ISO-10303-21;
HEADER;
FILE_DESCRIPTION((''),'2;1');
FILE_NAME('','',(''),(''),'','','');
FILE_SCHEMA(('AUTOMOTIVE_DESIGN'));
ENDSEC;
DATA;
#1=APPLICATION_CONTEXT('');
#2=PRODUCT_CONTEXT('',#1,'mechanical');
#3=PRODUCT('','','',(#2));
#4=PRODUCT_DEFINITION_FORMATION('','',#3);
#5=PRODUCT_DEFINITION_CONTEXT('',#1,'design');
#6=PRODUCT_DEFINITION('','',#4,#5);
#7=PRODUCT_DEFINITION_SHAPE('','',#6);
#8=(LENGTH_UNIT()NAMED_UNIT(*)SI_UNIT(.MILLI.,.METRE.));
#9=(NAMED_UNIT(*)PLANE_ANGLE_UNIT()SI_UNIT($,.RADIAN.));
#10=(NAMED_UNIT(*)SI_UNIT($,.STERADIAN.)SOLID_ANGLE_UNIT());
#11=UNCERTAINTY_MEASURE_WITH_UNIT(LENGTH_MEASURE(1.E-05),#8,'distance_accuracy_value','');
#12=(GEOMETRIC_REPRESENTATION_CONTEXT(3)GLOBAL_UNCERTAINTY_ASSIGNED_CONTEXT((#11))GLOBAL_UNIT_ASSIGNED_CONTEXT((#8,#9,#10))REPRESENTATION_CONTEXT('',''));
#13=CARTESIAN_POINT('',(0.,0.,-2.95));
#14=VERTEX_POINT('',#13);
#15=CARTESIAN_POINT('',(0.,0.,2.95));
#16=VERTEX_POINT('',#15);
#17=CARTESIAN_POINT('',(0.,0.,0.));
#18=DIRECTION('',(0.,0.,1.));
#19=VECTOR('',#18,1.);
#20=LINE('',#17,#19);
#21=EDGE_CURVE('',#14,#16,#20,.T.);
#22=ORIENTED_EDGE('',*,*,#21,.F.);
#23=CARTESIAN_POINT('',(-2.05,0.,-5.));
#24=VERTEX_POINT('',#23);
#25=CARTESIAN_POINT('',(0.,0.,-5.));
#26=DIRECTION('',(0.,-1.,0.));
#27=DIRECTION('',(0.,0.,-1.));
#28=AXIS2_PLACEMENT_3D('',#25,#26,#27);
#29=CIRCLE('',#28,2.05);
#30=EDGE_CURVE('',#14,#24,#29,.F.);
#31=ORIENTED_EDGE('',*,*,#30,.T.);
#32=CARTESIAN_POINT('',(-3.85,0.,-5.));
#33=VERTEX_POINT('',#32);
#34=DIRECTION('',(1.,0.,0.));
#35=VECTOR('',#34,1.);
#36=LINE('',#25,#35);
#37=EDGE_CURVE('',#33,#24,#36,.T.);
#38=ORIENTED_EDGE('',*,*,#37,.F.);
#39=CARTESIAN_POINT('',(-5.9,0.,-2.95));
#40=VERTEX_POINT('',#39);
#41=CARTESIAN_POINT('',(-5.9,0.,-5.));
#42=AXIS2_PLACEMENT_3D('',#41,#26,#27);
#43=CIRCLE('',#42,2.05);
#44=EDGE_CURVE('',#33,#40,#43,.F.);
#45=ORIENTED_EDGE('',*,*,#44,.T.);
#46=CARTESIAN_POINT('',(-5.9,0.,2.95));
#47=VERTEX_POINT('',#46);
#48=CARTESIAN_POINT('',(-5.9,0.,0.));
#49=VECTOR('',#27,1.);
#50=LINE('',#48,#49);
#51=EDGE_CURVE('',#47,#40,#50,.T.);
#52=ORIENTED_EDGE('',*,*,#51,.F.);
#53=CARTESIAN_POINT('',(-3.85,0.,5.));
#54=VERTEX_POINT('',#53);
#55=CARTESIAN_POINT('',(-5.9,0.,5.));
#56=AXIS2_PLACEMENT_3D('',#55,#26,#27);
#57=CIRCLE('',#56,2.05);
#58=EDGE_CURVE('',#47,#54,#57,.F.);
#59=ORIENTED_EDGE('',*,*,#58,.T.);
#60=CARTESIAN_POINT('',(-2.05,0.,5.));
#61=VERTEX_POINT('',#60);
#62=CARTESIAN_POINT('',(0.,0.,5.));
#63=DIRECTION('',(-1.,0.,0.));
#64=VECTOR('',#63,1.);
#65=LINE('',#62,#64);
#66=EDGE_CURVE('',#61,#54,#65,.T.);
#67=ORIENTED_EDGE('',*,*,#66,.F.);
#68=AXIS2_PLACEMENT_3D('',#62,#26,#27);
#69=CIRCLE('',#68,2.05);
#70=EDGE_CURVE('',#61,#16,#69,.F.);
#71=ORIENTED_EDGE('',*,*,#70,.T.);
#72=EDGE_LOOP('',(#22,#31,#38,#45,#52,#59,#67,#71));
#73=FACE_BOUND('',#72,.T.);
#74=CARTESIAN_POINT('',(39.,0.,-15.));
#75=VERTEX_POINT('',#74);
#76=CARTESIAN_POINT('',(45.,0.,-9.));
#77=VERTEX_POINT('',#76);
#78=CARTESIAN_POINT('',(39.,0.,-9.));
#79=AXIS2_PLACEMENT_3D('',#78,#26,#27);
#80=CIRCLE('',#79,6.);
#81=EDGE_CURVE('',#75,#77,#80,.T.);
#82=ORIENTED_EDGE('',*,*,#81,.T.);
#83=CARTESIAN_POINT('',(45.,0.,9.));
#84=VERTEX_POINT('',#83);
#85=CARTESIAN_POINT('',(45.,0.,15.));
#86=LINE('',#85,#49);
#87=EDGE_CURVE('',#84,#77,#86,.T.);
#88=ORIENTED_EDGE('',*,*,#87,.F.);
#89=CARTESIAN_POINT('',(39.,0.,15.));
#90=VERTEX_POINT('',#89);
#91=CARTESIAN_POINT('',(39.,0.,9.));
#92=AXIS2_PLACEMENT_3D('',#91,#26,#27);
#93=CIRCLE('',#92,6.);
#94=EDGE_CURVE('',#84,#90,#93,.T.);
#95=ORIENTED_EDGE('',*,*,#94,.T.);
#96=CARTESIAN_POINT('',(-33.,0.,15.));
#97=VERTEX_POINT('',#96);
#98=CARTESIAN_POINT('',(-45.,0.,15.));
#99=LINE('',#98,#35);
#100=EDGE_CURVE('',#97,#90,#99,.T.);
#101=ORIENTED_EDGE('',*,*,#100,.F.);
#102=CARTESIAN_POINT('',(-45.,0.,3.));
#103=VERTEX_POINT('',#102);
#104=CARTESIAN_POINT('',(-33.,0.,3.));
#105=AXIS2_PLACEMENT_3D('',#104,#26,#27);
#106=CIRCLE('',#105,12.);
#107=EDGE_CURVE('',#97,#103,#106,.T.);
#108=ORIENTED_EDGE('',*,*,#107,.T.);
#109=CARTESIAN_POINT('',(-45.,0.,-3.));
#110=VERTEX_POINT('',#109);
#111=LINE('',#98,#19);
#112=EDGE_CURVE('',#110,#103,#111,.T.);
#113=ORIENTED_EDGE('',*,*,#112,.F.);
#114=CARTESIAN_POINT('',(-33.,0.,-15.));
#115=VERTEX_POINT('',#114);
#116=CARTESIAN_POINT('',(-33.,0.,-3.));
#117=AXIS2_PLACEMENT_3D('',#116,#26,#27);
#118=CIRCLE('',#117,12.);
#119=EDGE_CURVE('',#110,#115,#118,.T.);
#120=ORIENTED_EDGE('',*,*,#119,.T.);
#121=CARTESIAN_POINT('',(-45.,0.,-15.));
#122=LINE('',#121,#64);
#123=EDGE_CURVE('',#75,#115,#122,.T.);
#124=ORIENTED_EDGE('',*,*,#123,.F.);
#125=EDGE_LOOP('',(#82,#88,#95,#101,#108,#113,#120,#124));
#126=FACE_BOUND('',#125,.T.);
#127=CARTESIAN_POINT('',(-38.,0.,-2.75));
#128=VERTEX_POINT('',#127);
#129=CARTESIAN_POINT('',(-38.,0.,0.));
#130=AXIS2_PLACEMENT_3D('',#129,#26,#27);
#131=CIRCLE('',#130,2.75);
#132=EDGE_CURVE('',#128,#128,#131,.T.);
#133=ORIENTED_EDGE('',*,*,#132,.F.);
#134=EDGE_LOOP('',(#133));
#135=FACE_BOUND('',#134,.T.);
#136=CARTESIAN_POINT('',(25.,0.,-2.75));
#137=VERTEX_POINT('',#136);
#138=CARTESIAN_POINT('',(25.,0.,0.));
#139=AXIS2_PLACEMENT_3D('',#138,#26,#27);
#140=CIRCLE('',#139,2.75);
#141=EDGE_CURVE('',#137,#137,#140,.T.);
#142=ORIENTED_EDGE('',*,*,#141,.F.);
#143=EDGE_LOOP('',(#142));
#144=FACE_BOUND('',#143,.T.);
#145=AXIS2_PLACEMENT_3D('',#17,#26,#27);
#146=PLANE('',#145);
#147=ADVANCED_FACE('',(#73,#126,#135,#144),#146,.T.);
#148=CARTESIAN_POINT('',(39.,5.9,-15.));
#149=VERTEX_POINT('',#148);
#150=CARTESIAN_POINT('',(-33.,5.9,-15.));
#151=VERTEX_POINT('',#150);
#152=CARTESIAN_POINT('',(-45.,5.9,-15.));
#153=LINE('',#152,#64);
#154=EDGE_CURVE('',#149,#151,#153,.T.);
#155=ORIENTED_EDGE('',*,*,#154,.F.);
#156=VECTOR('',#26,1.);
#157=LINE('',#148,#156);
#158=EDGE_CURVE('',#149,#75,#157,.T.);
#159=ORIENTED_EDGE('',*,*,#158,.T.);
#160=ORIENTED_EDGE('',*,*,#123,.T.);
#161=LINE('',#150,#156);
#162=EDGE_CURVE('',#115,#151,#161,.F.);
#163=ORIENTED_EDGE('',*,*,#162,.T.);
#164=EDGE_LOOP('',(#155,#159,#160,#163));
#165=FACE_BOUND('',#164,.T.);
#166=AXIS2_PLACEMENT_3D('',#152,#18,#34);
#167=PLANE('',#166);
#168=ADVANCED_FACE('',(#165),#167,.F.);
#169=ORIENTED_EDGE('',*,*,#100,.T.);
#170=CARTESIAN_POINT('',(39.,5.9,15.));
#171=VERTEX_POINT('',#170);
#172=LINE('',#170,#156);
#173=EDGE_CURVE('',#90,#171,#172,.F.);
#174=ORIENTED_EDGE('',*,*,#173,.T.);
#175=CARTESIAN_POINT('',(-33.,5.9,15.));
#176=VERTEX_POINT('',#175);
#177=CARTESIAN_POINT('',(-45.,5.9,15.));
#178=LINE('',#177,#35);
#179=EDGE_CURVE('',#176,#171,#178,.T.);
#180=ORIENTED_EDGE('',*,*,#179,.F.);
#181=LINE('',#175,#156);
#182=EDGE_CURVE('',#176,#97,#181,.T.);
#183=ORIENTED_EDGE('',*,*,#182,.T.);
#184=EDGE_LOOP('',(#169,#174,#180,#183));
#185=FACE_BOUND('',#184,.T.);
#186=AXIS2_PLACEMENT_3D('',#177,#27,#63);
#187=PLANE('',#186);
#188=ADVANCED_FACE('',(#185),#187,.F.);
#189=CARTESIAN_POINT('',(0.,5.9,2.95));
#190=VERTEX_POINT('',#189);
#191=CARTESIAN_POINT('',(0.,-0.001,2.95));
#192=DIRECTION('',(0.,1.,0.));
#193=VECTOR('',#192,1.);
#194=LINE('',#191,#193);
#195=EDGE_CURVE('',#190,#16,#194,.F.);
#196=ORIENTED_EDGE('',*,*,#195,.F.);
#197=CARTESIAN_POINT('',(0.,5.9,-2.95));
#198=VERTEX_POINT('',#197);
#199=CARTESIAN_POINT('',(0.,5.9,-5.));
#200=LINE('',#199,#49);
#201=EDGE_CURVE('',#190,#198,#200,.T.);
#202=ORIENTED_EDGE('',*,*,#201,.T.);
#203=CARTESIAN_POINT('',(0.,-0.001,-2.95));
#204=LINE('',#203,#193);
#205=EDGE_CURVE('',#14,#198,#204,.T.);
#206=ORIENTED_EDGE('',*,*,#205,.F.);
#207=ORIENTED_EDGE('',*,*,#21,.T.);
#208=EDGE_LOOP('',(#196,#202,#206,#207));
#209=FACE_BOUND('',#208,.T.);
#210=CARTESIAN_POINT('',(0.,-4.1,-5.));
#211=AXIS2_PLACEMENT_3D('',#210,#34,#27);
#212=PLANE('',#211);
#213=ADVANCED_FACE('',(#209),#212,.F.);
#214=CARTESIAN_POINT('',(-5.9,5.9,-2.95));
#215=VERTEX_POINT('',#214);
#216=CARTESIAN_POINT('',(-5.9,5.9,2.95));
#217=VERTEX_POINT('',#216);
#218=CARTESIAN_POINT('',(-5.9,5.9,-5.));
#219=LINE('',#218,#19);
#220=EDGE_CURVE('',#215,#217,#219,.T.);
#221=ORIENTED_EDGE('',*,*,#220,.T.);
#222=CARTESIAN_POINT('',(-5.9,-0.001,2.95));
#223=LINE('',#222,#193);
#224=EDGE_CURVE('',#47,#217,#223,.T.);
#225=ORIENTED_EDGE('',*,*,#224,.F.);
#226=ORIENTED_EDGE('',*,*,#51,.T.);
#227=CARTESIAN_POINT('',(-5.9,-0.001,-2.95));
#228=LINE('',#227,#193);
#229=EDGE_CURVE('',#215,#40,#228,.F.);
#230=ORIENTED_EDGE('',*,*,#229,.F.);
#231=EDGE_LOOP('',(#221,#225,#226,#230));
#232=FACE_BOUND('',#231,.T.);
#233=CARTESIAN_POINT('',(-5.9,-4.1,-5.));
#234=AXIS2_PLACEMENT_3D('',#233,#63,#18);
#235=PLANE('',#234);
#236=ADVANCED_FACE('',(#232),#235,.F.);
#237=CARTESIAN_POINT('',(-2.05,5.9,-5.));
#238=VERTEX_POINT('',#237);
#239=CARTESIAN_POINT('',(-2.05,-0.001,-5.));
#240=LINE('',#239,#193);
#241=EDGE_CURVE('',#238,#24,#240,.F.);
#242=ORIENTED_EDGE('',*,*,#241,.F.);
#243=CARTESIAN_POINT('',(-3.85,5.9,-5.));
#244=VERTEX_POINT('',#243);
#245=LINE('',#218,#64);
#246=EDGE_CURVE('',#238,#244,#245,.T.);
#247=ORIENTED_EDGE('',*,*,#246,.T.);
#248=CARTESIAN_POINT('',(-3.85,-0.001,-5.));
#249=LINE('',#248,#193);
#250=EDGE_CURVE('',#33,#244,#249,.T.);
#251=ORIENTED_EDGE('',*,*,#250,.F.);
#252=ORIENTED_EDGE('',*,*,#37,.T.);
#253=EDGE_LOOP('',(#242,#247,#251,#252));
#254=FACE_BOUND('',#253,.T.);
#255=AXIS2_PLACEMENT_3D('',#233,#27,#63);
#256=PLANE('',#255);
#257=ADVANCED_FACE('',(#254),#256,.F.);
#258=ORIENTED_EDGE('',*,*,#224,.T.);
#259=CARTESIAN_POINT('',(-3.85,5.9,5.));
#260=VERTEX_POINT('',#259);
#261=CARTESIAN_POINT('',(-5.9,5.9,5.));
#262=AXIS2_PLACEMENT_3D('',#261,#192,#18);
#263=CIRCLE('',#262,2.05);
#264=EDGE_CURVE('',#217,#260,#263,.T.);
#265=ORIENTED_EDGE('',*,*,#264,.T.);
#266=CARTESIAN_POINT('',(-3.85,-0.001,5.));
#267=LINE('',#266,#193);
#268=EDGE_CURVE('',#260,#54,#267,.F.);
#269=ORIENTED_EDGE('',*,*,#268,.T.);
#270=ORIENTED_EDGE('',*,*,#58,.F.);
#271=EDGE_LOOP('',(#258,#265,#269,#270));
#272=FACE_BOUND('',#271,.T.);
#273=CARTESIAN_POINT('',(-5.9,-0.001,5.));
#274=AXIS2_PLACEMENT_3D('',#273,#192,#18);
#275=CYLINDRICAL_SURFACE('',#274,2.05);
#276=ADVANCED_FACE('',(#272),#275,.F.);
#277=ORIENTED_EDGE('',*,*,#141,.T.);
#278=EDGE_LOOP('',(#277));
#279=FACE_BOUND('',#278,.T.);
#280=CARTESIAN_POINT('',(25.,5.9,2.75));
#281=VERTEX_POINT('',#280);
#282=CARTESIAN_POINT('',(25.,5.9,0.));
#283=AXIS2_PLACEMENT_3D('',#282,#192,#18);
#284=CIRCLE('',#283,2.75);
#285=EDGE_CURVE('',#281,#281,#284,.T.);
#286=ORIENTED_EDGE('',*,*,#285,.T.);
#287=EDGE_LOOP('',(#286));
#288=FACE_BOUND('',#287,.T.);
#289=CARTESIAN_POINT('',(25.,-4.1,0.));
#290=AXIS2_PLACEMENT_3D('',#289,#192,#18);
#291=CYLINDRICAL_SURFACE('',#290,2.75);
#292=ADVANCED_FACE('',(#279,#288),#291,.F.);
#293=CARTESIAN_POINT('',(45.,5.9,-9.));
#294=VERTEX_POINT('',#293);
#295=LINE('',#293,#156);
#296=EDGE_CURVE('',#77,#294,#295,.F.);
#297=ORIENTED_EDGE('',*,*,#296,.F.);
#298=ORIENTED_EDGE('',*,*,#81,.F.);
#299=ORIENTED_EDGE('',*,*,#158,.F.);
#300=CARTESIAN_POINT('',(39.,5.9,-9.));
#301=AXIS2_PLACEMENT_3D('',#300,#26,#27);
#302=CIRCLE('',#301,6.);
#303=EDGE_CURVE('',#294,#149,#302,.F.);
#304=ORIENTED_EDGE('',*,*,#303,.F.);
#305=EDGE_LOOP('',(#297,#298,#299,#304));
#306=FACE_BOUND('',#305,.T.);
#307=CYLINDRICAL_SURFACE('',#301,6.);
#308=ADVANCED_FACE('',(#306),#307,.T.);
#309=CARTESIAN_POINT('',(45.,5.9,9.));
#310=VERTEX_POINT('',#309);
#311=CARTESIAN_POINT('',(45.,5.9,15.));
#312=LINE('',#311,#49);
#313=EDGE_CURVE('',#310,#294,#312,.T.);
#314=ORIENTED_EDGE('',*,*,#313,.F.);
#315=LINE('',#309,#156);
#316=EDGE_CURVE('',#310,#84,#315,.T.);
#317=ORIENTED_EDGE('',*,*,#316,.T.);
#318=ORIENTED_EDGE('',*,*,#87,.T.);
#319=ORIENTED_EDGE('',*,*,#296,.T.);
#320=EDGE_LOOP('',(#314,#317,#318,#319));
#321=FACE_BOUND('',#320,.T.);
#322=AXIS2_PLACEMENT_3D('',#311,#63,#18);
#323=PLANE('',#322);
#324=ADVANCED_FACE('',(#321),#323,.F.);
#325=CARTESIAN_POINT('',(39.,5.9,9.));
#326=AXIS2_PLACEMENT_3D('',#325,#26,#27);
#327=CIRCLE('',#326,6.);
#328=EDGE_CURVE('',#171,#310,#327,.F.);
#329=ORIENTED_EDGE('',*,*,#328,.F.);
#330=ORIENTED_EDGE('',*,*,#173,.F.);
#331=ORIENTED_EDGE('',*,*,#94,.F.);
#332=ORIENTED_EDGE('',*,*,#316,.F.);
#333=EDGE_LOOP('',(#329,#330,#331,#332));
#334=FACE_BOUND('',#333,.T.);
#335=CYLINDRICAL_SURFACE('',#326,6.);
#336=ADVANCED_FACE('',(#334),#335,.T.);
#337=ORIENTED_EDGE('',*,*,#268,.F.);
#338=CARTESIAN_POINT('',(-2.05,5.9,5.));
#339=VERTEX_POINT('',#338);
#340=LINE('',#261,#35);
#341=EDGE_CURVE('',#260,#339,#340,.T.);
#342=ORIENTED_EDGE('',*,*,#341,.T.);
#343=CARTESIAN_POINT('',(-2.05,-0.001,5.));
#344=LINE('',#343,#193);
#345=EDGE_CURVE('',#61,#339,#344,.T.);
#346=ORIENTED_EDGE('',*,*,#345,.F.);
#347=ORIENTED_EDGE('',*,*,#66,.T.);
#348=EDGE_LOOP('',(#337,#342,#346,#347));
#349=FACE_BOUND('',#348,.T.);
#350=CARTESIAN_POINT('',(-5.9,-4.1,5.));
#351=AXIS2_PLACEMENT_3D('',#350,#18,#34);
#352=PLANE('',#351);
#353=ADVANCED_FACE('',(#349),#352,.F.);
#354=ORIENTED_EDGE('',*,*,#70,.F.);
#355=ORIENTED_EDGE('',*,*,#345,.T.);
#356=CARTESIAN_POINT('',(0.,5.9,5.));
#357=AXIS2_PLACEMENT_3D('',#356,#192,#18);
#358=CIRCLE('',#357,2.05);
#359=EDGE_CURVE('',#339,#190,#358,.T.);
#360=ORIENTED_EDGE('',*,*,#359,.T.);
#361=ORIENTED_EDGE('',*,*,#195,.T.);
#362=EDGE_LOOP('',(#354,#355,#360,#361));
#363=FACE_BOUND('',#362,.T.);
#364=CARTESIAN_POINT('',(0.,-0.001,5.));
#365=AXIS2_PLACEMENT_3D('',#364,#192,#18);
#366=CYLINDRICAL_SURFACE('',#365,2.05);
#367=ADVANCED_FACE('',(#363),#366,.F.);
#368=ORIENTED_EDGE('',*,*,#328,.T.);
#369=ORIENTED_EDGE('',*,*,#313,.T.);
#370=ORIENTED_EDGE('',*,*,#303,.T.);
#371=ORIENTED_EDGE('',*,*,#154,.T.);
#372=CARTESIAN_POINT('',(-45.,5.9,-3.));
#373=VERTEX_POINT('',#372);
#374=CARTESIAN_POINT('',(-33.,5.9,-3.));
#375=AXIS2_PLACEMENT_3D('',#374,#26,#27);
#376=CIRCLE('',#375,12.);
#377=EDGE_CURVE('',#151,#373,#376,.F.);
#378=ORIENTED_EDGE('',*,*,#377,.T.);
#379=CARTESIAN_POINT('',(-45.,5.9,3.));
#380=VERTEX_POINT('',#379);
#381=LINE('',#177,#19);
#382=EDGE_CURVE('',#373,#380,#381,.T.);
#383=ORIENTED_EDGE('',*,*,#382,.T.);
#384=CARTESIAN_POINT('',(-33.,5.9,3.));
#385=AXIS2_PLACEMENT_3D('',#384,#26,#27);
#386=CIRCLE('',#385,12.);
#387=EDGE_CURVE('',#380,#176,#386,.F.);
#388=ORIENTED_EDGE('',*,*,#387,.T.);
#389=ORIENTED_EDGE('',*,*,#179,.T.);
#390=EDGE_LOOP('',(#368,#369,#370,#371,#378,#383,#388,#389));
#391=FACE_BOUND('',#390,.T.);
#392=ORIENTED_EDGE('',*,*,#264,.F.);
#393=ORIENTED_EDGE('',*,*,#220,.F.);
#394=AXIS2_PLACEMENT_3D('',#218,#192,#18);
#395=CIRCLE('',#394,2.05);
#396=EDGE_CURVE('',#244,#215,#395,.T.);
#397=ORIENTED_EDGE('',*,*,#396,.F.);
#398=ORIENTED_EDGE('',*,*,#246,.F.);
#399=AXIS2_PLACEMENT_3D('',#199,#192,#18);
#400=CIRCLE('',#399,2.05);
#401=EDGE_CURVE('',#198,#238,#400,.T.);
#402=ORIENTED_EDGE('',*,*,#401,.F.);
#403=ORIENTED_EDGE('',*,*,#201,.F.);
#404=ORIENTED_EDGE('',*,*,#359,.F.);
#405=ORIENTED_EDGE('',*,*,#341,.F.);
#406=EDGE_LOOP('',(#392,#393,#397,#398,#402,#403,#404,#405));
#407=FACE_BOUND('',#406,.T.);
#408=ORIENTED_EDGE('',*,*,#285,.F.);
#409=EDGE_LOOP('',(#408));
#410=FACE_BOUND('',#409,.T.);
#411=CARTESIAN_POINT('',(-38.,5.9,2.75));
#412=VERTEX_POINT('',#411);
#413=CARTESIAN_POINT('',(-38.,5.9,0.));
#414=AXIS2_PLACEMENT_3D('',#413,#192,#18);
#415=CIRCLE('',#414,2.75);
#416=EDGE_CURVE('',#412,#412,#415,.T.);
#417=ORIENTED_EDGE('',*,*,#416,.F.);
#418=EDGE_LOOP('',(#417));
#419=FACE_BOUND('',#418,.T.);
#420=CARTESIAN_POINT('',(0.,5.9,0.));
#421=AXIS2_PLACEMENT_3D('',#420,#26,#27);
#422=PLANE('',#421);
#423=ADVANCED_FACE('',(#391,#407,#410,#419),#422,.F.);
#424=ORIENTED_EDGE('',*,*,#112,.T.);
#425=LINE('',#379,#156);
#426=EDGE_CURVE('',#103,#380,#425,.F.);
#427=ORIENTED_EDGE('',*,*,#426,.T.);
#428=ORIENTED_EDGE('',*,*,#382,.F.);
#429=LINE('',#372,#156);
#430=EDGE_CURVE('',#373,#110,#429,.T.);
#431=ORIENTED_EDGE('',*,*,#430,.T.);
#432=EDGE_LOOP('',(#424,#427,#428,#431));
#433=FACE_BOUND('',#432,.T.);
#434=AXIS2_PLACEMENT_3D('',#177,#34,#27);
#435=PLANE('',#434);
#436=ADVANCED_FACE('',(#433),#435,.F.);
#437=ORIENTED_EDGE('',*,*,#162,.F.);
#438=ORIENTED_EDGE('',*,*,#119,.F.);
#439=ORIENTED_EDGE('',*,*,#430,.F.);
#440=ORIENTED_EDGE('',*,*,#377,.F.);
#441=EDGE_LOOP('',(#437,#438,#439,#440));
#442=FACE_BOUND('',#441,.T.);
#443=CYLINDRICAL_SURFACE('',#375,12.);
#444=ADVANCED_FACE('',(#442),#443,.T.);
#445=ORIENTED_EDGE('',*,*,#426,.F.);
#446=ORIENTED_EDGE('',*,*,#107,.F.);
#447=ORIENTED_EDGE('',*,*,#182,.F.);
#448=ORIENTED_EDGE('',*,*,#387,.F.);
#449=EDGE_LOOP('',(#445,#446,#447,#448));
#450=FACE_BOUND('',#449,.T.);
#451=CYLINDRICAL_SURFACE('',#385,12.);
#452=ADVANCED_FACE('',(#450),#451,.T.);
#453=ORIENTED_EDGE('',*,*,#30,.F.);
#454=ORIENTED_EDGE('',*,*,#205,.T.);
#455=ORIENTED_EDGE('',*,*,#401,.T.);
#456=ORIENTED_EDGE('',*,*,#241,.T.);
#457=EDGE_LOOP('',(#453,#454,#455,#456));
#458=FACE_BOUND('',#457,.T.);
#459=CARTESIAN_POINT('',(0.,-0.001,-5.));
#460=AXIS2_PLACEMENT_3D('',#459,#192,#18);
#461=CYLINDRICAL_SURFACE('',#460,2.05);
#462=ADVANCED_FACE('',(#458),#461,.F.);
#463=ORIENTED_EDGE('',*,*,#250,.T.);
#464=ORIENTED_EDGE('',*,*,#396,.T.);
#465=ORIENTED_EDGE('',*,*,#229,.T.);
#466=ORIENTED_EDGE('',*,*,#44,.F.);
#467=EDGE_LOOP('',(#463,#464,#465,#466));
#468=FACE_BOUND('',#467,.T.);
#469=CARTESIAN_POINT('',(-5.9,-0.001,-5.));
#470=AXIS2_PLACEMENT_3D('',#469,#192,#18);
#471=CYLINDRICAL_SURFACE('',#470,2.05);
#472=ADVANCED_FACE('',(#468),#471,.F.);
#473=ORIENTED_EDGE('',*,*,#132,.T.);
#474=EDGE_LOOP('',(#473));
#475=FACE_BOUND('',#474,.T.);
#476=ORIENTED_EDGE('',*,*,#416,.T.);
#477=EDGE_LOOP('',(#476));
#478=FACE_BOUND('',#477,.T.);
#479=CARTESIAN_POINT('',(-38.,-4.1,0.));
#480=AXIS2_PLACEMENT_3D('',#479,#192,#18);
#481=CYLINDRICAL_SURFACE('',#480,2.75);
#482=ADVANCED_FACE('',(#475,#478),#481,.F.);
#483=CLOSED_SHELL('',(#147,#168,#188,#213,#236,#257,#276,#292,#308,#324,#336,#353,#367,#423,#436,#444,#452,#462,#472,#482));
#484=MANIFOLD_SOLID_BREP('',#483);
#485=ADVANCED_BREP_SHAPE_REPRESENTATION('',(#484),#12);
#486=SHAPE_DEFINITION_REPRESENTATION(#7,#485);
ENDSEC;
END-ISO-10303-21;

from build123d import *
from OCP.BRepFilletAPI import BRepFilletAPI_MakeFillet

# Parameters (mm, degrees)
SKETCH1_W           = 90
SKETCH1_H           = 30
BOSS_EXTRUDE1_DEPTH = 5.9
SKETCH2_R           = 2.75
CUT_EXTRUDE1_DEPTH  = 10
SKETCH3_W           = 5.9
SKETCH3_H           = 10
CUT_EXTRUDE2_DEPTH  = 10
CUT_EXTRUDE5_REACH  = 49.8
SKETCH6_R           = 2.05
FILLET1_R1          = 12
FILLET1_R2          = 6


with BuildPart() as part:
    # Sketch1 → Boss-Extrude1 (new body)
    with BuildSketch(Plane(origin=(0, 0, 0), x_dir=(1, 0, 0), z_dir=(0, 1, 0))):
        Rectangle(SKETCH1_W, SKETCH1_H)
    extrude(amount=BOSS_EXTRUDE1_DEPTH)

    # Sketch2 → Cut-Extrude1 (cut)
    with BuildSketch(Plane(origin=(0, 5.9, 0), x_dir=(1, 0, 0), z_dir=(0, 1, 0))):
        with Locations((25, 0)):
            Circle(SKETCH2_R)
        with Locations((-38, 0)):
            Circle(SKETCH2_R)
    extrude(amount=-CUT_EXTRUDE1_DEPTH, mode=Mode.SUBTRACT)

    # Sketch3 → Cut-Extrude2 (cut)
    with BuildSketch(Plane(origin=(0, 5.9, 0), x_dir=(1, 0, 0), z_dir=(0, 1, 0))):
        with Locations((-2.95, 0)):
            Rectangle(SKETCH3_W, SKETCH3_H)
    extrude(amount=-CUT_EXTRUDE2_DEPTH, mode=Mode.SUBTRACT)

    # Sketch6 → Cut-Extrude5 (cut, up to next)
    with BuildSketch(Plane(origin=(0, 5.9, 0), x_dir=(1, 0, 0), z_dir=(0, 1, 0)), mode=Mode.PRIVATE) as cut_extrude5_sk1:
        with Locations((0, 5)):
            Circle(SKETCH6_R)
    cut_extrude5_tool1 = extrude(cut_extrude5_sk1.sketch, amount=-CUT_EXTRUDE5_REACH, mode=Mode.PRIVATE) & part.part
    # Sketch6 → Cut-Extrude5 (cut, up to next)
    with BuildSketch(Plane(origin=(0, 5.9, 0), x_dir=(1, 0, 0), z_dir=(0, 1, 0)), mode=Mode.PRIVATE) as cut_extrude5_sk2:
        with Locations((-5.9, 5)):
            Circle(SKETCH6_R)
    cut_extrude5_tool2 = extrude(cut_extrude5_sk2.sketch, amount=-CUT_EXTRUDE5_REACH, mode=Mode.PRIVATE) & part.part
    # Sketch6 → Cut-Extrude5 (cut, up to next)
    with BuildSketch(Plane(origin=(0, 5.9, 0), x_dir=(1, 0, 0), z_dir=(0, 1, 0)), mode=Mode.PRIVATE) as cut_extrude5_sk3:
        with Locations((0, -5)):
            Circle(SKETCH6_R)
    cut_extrude5_tool3 = extrude(cut_extrude5_sk3.sketch, amount=-CUT_EXTRUDE5_REACH, mode=Mode.PRIVATE) & part.part
    # Sketch6 → Cut-Extrude5 (cut, up to next)
    with BuildSketch(Plane(origin=(0, 5.9, 0), x_dir=(1, 0, 0), z_dir=(0, 1, 0)), mode=Mode.PRIVATE) as cut_extrude5_sk4:
        with Locations((-5.9, -5)):
            Circle(SKETCH6_R)
    cut_extrude5_tool4 = extrude(cut_extrude5_sk4.sketch, amount=-CUT_EXTRUDE5_REACH, mode=Mode.PRIVATE) & part.part
    add(cut_extrude5_tool1.solids().sort_by_distance((0, 5.9, -5))[0], mode=Mode.SUBTRACT)
    add(cut_extrude5_tool2.solids().sort_by_distance((-5.9, 5.9, -5))[0], mode=Mode.SUBTRACT)
    add(cut_extrude5_tool3.solids().sort_by_distance((0, 5.9, 5))[0], mode=Mode.SUBTRACT)
    add(cut_extrude5_tool4.solids().sort_by_distance((-5.9, 5.9, 5))[0], mode=Mode.SUBTRACT)

    # Fillet1: one fillet with a radius per group of edges: ONE call of the kernel's fillet builder (fillet() takes one radius for all edges)
    fillet1_edges_1 = [part.edges().sort_by_distance(p)[0] for p in [
        (-45, 2.95, -15),
        (-45, 2.95, 15),
    ]]
    fillet1_edges_2 = [part.edges().sort_by_distance(p)[0] for p in [
        (45, 2.95, 15),
        (45, 2.95, -15),
    ]]
    fillet1 = BRepFilletAPI_MakeFillet(part.part.solid().wrapped)
    for e in fillet1_edges_1:
        fillet1.Add(FILLET1_R1, e.wrapped)
    for e in fillet1_edges_2:
        fillet1.Add(FILLET1_R2, e.wrapped)
    add(Compound.cast(fillet1.Shape()), mode=Mode.REPLACE)


solid = part.part
